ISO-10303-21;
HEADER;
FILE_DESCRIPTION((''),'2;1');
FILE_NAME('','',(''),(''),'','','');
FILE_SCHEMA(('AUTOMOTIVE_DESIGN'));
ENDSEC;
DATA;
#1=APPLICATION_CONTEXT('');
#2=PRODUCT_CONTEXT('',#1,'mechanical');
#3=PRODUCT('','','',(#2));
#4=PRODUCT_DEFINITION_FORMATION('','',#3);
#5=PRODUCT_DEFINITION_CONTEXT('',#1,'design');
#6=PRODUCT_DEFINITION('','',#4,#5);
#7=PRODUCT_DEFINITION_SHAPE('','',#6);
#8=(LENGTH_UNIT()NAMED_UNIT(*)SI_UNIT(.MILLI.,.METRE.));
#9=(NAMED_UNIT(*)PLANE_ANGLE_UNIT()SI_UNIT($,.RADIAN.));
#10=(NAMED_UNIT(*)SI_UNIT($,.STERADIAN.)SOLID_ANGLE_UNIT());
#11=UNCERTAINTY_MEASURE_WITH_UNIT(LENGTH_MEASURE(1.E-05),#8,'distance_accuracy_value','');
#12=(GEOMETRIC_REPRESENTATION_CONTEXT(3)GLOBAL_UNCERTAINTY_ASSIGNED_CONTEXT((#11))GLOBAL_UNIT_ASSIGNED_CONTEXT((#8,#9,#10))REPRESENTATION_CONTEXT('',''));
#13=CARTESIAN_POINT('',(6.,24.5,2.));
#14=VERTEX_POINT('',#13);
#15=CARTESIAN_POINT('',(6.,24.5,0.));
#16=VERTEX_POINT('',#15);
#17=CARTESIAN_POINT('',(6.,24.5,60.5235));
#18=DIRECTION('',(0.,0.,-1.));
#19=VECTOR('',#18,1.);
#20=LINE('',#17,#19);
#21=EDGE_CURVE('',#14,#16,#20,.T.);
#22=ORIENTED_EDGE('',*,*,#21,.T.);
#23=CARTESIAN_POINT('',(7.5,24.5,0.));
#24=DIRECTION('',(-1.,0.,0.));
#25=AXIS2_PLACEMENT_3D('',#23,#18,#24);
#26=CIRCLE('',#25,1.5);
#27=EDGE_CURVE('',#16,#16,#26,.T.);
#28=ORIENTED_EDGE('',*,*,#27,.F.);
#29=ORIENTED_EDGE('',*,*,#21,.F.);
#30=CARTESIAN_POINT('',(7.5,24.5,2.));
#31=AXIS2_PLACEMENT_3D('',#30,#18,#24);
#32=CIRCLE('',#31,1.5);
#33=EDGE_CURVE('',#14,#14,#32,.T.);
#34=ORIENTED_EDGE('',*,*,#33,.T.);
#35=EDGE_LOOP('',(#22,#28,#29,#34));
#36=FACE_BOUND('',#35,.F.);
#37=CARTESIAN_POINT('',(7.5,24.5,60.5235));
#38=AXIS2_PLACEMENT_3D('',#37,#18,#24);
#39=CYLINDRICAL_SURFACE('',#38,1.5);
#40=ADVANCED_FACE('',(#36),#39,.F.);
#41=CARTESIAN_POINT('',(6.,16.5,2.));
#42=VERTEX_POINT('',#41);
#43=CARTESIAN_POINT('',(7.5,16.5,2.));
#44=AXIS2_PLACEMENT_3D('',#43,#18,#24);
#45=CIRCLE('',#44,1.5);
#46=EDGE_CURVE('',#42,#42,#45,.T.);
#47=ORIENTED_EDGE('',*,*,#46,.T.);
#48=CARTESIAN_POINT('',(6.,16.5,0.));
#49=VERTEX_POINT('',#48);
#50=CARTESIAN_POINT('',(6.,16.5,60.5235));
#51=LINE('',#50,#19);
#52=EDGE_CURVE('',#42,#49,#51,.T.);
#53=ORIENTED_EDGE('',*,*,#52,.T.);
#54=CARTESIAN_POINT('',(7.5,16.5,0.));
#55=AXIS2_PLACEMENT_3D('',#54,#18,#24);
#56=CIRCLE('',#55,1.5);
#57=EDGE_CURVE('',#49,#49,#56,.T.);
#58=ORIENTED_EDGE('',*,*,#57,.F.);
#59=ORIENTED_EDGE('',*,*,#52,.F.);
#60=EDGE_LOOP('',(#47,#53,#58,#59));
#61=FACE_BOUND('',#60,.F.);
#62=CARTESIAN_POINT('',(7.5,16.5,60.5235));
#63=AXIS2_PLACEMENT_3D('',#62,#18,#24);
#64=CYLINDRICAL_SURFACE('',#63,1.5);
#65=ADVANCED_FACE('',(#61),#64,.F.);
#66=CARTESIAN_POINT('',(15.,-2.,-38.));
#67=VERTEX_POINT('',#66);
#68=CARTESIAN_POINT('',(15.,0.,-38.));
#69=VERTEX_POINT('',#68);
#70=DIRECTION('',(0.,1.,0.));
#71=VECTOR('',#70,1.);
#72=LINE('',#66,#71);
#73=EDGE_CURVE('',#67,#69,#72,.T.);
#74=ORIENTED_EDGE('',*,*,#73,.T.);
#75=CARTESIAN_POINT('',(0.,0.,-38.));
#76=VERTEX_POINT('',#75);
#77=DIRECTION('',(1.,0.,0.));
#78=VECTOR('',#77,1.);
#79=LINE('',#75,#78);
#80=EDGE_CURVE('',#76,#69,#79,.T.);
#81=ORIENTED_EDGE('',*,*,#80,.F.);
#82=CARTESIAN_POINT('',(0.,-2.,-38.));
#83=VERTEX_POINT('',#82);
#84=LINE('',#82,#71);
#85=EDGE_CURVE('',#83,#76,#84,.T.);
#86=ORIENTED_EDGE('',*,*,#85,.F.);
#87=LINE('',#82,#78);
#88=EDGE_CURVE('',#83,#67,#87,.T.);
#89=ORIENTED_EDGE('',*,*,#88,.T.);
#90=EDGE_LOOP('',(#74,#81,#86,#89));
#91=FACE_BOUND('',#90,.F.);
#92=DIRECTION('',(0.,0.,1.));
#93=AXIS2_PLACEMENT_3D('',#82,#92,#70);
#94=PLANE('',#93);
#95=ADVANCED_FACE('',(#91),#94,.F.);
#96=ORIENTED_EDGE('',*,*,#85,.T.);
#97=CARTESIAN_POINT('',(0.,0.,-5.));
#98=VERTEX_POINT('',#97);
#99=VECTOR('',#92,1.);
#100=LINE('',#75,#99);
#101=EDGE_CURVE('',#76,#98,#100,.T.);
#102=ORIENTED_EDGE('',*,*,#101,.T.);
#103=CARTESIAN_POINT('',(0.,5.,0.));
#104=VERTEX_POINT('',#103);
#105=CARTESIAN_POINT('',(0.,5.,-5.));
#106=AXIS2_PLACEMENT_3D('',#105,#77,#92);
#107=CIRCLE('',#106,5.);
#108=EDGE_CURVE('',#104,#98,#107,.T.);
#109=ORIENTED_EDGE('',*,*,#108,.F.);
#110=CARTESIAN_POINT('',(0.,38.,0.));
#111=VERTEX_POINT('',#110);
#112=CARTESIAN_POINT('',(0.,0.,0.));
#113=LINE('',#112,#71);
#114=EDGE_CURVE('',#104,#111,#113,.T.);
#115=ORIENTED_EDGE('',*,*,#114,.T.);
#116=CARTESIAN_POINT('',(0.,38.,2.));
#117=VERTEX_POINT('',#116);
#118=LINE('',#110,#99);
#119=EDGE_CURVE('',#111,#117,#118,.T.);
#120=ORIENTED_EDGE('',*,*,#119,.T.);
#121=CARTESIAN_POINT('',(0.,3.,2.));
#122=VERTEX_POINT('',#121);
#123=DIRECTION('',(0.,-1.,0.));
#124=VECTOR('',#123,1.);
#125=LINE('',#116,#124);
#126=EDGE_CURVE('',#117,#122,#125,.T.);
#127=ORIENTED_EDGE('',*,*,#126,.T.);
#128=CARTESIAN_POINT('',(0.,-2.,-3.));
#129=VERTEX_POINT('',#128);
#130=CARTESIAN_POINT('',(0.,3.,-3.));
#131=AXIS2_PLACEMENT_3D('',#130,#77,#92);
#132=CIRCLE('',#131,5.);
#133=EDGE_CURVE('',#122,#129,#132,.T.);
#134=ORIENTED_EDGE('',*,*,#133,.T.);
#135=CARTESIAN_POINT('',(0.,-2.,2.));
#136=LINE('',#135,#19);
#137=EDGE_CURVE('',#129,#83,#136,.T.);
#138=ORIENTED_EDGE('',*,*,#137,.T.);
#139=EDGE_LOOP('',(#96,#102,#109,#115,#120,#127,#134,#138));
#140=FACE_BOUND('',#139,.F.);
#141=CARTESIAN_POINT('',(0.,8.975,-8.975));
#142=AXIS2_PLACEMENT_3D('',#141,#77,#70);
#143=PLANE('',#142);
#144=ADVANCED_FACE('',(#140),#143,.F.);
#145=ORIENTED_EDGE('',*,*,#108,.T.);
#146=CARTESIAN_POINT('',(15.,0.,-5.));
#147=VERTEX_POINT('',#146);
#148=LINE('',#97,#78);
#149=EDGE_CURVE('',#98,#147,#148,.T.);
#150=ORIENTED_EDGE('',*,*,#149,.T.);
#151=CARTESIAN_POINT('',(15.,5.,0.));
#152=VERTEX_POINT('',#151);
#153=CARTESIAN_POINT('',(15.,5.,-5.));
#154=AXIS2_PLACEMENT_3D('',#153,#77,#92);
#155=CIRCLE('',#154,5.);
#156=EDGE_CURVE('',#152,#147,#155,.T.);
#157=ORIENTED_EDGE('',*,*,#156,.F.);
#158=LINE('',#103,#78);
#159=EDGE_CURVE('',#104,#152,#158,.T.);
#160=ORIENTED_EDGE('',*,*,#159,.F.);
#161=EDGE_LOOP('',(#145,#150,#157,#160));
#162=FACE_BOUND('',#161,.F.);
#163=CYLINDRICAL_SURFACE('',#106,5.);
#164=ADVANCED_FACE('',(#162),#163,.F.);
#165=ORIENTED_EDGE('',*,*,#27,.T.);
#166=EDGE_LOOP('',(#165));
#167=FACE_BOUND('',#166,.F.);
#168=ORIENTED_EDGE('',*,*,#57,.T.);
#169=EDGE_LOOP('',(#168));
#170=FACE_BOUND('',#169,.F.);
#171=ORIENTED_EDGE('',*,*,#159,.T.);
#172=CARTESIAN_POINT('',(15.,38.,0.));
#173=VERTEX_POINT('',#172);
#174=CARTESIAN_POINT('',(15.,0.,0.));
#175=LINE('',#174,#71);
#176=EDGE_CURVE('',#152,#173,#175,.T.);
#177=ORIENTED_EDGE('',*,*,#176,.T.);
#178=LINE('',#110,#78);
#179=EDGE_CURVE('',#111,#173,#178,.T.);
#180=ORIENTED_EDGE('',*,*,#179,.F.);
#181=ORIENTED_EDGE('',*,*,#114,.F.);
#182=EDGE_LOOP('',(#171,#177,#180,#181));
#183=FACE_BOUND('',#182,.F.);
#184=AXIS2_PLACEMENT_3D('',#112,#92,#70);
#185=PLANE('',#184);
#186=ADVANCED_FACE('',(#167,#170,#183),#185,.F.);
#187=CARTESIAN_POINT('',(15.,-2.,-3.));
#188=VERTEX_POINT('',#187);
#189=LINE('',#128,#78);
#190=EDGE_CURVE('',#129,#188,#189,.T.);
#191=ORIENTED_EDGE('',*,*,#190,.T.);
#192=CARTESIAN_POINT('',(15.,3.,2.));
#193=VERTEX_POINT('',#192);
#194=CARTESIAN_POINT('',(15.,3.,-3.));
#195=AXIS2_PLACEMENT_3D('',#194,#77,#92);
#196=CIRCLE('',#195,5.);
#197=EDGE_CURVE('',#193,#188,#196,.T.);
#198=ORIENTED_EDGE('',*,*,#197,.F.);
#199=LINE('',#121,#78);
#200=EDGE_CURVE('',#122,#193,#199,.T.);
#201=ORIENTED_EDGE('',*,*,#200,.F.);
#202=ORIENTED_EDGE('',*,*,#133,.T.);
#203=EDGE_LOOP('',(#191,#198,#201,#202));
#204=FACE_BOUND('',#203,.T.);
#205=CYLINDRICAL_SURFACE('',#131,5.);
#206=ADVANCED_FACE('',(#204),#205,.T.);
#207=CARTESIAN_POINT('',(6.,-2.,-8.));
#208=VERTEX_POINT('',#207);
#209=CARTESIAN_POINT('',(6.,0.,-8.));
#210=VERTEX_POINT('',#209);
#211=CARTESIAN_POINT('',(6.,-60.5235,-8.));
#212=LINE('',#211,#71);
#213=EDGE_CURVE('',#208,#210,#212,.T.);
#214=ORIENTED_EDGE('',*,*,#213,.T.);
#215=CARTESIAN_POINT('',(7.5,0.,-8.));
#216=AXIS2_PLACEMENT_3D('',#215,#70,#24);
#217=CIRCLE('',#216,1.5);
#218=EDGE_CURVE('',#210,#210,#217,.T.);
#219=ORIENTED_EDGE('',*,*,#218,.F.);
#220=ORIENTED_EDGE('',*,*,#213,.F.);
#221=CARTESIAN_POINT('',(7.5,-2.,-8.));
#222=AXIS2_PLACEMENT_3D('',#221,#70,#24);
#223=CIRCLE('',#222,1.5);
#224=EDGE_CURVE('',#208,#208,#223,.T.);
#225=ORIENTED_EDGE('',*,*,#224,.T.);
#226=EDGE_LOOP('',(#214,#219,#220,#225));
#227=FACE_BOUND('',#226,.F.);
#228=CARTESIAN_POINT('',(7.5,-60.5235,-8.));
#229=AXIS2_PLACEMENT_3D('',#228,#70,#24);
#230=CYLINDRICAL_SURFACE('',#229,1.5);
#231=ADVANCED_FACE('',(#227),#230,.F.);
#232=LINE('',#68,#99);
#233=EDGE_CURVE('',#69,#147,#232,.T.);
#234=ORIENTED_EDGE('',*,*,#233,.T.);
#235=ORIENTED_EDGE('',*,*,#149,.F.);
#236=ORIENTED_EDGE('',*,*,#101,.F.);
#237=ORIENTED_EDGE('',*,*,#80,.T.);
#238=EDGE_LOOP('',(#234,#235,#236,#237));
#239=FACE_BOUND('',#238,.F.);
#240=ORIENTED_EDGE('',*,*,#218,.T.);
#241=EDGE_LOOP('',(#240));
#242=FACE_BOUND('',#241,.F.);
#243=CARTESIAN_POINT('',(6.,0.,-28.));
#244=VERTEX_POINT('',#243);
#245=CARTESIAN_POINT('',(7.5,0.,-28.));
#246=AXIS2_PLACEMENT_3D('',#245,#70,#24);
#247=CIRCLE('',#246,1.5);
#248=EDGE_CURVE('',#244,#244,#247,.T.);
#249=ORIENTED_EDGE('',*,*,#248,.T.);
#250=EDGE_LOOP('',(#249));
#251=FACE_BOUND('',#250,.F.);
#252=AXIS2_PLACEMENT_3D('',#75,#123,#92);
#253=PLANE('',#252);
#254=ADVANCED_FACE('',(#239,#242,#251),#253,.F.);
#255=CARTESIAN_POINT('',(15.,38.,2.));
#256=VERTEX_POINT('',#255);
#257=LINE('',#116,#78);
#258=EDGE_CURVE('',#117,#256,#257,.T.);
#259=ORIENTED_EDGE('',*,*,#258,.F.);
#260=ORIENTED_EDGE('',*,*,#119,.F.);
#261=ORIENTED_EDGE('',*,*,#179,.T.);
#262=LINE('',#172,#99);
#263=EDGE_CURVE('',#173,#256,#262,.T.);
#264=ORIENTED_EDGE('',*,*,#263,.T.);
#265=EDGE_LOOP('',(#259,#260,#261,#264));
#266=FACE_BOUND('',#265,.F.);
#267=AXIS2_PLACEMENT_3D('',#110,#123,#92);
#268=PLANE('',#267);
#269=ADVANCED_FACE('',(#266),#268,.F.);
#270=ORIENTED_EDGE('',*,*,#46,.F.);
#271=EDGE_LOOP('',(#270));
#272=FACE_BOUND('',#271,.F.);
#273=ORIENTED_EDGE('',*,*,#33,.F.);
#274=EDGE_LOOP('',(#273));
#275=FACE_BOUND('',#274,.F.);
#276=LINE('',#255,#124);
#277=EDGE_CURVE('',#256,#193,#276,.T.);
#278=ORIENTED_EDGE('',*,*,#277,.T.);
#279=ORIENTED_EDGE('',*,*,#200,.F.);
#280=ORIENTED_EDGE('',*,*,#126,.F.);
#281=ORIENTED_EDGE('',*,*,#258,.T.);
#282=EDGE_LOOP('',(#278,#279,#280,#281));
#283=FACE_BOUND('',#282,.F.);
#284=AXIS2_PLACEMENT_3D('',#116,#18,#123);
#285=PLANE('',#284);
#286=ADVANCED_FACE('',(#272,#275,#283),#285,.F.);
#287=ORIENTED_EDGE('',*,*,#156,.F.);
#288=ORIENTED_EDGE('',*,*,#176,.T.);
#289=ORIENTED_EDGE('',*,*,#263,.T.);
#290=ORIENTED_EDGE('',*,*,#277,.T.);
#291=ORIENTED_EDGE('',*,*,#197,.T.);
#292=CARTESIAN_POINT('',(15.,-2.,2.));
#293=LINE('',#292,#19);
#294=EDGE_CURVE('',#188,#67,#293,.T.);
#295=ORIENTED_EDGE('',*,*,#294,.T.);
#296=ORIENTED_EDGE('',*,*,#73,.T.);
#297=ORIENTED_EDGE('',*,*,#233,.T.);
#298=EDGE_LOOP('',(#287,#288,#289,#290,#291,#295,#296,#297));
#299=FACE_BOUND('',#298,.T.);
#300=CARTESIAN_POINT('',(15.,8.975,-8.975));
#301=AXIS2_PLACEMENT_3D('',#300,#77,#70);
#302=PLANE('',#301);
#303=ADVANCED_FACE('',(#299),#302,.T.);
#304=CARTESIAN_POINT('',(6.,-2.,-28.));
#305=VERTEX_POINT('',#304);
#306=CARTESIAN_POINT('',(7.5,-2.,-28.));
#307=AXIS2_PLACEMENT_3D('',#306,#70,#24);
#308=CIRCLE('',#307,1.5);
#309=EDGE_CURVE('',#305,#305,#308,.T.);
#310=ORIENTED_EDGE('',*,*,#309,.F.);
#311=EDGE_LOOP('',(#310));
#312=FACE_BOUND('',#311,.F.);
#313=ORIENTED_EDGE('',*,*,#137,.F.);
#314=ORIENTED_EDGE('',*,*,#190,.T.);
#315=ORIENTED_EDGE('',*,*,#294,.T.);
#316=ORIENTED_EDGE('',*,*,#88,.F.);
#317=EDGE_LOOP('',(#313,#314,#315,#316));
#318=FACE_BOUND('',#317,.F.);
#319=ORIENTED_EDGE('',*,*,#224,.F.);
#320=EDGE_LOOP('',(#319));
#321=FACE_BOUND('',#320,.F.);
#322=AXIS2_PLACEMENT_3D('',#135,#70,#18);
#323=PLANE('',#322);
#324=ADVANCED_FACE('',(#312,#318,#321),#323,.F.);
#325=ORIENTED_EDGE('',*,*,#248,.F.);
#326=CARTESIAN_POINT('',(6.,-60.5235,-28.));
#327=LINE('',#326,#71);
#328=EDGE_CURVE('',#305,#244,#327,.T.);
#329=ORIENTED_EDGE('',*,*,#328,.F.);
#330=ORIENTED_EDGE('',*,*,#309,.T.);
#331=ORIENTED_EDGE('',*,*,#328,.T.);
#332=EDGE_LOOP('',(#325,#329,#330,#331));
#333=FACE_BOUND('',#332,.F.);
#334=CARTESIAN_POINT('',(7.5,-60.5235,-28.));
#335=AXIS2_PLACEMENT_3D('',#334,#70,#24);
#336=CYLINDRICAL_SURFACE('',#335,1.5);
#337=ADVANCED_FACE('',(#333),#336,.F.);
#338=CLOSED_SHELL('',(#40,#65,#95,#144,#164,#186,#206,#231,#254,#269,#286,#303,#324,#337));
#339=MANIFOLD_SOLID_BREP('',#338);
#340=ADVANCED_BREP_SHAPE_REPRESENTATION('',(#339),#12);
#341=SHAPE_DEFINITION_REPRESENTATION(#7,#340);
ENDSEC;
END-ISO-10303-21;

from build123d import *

# Parameters (mm, degrees)
F1_DEPTH = 15
F2_R     = 5
F3_R     = 5
F5_D     = 3
F7_D     = 3


with BuildPart() as f1:
    # F0 (on Right) → F1 (new body)
    with BuildSketch(Plane.YZ):
        Polygon((-2, -38), (0, -38), (0, 0), (38, 0), (38, 2), (-2, 2), align=None)
    extrude(amount=F1_DEPTH)

    # F2
    f2_edges = [f1.edges().sort_by_distance(p)[0] for p in [
        (7.5, -2, 2),
    ]]
    fillet(f2_edges, radius=F2_R)

    # F3
    f3_edges = [f1.edges().sort_by_distance(p)[0] for p in [
        (7.5, 0, 0),
    ]]
    fillet(f3_edges, radius=F3_R)

    # F5 (through all)
    with Locations(Plane.XY.offset(2)):
        with Locations((7.5, 24.5), (7.5, 16.5)):
            Hole(F5_D / 2)

    # F7 (through all)
    with Locations(Plane.XZ.offset(2)):
        with Locations((7.5, -8), (7.5, -28)):
            Hole(F7_D / 2)


solid = f1.part
